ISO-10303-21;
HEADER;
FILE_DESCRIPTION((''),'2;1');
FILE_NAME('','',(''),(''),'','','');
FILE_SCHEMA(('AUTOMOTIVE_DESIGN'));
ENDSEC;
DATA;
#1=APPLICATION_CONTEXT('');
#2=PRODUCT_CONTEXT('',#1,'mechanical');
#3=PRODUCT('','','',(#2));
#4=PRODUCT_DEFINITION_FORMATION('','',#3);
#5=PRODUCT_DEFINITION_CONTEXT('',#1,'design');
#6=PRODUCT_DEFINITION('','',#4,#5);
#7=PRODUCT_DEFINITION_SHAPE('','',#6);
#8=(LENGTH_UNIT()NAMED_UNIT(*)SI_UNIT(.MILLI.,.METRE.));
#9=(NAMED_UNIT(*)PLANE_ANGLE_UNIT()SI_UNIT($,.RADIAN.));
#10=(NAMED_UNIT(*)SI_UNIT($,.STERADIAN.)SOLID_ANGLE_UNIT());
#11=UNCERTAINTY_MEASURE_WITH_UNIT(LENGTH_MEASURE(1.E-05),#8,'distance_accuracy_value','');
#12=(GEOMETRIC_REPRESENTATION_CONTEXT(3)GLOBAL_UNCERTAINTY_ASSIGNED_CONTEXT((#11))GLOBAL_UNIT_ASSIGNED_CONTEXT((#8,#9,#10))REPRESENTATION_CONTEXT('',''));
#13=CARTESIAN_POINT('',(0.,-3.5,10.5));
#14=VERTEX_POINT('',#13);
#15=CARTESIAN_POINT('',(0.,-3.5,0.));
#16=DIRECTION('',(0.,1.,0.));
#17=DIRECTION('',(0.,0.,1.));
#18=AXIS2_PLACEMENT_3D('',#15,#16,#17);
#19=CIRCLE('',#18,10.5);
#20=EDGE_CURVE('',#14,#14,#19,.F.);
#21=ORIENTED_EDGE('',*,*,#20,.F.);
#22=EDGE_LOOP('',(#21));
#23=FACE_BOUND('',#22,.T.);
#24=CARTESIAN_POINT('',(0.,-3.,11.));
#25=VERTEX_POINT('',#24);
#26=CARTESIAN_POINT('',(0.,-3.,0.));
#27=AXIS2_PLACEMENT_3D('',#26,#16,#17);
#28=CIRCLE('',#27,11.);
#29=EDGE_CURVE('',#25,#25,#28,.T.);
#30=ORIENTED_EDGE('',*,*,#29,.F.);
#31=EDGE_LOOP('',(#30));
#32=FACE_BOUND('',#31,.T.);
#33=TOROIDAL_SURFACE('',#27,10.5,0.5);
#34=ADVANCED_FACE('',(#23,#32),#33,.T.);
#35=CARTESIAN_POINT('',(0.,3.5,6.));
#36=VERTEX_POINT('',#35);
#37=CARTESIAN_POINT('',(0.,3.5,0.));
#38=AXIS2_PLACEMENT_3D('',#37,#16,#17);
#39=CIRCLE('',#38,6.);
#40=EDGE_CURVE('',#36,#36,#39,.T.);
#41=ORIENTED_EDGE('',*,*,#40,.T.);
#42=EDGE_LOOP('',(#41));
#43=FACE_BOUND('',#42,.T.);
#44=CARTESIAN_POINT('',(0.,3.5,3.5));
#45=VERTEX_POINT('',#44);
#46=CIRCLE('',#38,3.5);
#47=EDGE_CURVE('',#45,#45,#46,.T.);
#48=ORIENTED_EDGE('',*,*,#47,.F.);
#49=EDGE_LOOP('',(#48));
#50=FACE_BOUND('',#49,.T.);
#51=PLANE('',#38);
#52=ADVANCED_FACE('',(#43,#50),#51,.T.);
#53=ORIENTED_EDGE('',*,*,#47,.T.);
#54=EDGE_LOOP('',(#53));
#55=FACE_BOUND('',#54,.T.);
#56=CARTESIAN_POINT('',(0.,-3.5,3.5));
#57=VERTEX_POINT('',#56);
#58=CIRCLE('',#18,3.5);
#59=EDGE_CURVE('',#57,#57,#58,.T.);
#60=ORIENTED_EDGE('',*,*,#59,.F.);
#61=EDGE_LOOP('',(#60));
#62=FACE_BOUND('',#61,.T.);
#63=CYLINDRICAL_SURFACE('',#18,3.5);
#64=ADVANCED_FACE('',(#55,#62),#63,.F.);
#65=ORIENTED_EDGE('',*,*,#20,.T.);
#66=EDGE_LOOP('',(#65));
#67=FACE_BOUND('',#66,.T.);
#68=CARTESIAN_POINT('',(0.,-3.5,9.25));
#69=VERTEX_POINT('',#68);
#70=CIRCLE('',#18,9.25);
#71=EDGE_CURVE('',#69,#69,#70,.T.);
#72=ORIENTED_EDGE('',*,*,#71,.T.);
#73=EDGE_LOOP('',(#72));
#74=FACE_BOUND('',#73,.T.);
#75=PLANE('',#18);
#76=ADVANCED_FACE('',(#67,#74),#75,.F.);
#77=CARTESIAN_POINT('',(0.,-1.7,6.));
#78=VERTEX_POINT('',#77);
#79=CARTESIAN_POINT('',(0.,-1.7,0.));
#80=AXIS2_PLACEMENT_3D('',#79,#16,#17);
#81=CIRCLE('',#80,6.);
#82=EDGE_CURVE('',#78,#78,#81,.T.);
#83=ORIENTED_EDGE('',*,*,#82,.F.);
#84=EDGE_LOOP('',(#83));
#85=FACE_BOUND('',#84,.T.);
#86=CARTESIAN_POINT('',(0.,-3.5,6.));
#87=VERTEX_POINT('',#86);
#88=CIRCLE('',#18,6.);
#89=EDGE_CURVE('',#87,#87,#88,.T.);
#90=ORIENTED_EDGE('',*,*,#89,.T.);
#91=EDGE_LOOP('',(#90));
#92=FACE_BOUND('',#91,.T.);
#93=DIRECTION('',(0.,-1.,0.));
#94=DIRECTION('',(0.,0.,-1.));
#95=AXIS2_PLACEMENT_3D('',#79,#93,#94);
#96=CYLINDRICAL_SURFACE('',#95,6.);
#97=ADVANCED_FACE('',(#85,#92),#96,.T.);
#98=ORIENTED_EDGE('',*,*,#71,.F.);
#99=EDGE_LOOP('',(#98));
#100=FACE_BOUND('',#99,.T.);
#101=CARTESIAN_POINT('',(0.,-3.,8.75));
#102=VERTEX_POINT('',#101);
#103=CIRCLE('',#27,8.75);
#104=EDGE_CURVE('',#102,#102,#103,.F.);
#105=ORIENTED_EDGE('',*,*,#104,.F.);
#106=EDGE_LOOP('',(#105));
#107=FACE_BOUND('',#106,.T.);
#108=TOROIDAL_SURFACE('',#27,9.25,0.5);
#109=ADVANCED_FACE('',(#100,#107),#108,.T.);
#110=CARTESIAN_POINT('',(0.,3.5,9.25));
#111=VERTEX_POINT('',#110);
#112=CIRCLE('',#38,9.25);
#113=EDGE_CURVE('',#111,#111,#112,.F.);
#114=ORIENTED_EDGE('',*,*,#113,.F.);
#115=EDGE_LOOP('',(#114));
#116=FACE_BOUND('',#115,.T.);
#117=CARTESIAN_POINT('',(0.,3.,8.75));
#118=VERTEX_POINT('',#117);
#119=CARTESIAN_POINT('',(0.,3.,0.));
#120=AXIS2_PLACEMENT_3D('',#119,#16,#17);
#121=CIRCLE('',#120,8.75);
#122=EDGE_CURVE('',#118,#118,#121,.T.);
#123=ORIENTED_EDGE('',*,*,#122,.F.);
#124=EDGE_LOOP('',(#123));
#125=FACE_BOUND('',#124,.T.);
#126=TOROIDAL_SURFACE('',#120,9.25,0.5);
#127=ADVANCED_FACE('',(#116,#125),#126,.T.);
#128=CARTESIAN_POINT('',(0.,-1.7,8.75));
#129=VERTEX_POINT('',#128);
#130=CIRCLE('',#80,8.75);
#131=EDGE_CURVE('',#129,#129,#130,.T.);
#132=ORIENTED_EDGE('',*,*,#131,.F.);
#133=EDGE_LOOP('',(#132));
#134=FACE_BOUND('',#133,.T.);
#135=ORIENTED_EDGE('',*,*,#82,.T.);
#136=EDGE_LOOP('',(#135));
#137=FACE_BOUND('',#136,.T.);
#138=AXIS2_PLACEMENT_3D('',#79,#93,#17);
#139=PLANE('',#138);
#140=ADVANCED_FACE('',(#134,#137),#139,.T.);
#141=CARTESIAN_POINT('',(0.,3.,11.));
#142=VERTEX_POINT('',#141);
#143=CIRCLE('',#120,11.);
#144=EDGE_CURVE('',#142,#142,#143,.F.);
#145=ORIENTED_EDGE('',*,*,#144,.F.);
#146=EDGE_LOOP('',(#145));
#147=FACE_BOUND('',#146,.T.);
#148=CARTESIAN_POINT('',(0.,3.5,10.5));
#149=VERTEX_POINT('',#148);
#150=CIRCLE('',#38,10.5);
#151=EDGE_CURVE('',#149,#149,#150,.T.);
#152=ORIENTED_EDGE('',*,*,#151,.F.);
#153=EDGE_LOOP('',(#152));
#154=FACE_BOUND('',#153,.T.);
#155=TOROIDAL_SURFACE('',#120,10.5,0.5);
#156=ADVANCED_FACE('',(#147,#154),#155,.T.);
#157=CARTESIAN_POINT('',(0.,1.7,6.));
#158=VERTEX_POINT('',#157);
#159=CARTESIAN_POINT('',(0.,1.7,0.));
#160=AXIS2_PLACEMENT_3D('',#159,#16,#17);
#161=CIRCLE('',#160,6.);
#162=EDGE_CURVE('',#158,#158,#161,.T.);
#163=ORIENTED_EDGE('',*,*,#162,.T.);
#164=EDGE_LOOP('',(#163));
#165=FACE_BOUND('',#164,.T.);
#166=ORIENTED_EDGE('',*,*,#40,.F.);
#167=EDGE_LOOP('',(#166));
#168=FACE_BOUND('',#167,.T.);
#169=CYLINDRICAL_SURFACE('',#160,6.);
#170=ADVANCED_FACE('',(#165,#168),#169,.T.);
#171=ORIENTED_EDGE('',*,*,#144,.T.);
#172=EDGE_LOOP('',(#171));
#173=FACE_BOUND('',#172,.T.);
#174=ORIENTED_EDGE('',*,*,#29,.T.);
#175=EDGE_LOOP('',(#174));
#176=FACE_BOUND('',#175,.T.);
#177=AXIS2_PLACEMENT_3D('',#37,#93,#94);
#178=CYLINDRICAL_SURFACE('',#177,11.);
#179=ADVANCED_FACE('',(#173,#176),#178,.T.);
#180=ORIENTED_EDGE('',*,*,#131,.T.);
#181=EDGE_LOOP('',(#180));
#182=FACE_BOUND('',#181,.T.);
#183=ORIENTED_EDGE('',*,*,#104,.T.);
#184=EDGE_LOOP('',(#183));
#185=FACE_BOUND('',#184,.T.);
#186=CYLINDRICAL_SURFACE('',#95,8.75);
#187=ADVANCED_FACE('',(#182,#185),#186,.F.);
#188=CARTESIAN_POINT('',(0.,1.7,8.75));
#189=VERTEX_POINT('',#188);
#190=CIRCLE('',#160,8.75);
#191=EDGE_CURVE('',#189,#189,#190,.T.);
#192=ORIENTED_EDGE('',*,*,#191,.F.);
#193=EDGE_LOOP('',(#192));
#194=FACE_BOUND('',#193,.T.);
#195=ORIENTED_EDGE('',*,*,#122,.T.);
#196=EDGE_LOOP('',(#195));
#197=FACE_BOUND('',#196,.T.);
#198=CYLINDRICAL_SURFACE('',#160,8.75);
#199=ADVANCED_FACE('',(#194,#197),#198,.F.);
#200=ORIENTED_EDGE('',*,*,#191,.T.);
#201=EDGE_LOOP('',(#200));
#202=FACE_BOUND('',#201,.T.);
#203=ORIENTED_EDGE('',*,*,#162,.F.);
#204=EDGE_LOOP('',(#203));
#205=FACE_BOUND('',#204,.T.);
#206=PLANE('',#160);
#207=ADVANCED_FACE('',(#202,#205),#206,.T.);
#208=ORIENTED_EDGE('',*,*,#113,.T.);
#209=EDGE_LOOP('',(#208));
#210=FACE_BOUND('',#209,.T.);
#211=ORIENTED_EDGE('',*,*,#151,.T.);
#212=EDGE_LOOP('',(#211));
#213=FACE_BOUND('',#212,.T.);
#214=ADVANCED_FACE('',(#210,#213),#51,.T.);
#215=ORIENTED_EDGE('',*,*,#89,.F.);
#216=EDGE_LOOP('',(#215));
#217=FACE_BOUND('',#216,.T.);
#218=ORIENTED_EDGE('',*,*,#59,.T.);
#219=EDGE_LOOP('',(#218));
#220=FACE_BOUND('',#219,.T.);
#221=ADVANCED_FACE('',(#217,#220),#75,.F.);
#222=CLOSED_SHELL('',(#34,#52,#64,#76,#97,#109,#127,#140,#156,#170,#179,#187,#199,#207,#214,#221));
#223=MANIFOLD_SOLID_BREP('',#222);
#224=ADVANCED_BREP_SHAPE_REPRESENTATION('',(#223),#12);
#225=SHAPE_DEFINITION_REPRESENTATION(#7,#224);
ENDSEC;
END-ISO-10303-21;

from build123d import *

# Parameters (mm, degrees)
SKETCH1_R           = 11
BOSS_EXTRUDE1_DEPTH = 3.5
SKETCH2_R           = 3.5
CUT_EXTRUDE2_DEPTH  = 8
SKETCH3_R           = 8.75
SKETCH3_R_2         = 6
CUT_EXTRUDE4_DEPTH  = 1.8
FILLET1_R           = 0.5


with BuildPart() as part:
    # Sketch1 → Boss-Extrude1 (new body, symmetric)
    with BuildSketch(Plane(origin=(0, 0, 0), x_dir=(1, 0, 0), z_dir=(0, 1, 0))):
        Circle(SKETCH1_R)
    extrude(amount=BOSS_EXTRUDE1_DEPTH, both=True)

    # Sketch2 → Cut-Extrude2 (cut, through all)
    with BuildSketch(Plane(origin=(0, 3.5, 0), x_dir=(1, 0, 0), z_dir=(0, 1, 0))):
        Circle(SKETCH2_R)
    extrude(amount=-CUT_EXTRUDE2_DEPTH, mode=Mode.SUBTRACT)

    # Sketch3 → Cut-Extrude4 (cut)
    with BuildSketch(Plane(origin=(0, 3.5, 0), x_dir=(1, 0, 0), z_dir=(0, 1, 0))):
        Circle(SKETCH3_R)
        Circle(SKETCH3_R_2, mode=Mode.SUBTRACT)
    cut_extrude4 = extrude(amount=-CUT_EXTRUDE4_DEPTH, mode=Mode.SUBTRACT)

    # Mirror1: Cut-Extrude4 across plane
    add(cut_extrude4.mirror(Plane.ZX), mode=Mode.SUBTRACT)

    # Fillet1
    fillet1_edges = [part.edges().sort_by_distance(p)[0] for p in [
        (-8.75, 3.5, 0),
        (-11, -3.5, 0),
        (-8.75, -3.5, 0),
        (-11, 3.5, 0),
    ]]
    fillet(fillet1_edges, radius=FILLET1_R)


solid = part.part
